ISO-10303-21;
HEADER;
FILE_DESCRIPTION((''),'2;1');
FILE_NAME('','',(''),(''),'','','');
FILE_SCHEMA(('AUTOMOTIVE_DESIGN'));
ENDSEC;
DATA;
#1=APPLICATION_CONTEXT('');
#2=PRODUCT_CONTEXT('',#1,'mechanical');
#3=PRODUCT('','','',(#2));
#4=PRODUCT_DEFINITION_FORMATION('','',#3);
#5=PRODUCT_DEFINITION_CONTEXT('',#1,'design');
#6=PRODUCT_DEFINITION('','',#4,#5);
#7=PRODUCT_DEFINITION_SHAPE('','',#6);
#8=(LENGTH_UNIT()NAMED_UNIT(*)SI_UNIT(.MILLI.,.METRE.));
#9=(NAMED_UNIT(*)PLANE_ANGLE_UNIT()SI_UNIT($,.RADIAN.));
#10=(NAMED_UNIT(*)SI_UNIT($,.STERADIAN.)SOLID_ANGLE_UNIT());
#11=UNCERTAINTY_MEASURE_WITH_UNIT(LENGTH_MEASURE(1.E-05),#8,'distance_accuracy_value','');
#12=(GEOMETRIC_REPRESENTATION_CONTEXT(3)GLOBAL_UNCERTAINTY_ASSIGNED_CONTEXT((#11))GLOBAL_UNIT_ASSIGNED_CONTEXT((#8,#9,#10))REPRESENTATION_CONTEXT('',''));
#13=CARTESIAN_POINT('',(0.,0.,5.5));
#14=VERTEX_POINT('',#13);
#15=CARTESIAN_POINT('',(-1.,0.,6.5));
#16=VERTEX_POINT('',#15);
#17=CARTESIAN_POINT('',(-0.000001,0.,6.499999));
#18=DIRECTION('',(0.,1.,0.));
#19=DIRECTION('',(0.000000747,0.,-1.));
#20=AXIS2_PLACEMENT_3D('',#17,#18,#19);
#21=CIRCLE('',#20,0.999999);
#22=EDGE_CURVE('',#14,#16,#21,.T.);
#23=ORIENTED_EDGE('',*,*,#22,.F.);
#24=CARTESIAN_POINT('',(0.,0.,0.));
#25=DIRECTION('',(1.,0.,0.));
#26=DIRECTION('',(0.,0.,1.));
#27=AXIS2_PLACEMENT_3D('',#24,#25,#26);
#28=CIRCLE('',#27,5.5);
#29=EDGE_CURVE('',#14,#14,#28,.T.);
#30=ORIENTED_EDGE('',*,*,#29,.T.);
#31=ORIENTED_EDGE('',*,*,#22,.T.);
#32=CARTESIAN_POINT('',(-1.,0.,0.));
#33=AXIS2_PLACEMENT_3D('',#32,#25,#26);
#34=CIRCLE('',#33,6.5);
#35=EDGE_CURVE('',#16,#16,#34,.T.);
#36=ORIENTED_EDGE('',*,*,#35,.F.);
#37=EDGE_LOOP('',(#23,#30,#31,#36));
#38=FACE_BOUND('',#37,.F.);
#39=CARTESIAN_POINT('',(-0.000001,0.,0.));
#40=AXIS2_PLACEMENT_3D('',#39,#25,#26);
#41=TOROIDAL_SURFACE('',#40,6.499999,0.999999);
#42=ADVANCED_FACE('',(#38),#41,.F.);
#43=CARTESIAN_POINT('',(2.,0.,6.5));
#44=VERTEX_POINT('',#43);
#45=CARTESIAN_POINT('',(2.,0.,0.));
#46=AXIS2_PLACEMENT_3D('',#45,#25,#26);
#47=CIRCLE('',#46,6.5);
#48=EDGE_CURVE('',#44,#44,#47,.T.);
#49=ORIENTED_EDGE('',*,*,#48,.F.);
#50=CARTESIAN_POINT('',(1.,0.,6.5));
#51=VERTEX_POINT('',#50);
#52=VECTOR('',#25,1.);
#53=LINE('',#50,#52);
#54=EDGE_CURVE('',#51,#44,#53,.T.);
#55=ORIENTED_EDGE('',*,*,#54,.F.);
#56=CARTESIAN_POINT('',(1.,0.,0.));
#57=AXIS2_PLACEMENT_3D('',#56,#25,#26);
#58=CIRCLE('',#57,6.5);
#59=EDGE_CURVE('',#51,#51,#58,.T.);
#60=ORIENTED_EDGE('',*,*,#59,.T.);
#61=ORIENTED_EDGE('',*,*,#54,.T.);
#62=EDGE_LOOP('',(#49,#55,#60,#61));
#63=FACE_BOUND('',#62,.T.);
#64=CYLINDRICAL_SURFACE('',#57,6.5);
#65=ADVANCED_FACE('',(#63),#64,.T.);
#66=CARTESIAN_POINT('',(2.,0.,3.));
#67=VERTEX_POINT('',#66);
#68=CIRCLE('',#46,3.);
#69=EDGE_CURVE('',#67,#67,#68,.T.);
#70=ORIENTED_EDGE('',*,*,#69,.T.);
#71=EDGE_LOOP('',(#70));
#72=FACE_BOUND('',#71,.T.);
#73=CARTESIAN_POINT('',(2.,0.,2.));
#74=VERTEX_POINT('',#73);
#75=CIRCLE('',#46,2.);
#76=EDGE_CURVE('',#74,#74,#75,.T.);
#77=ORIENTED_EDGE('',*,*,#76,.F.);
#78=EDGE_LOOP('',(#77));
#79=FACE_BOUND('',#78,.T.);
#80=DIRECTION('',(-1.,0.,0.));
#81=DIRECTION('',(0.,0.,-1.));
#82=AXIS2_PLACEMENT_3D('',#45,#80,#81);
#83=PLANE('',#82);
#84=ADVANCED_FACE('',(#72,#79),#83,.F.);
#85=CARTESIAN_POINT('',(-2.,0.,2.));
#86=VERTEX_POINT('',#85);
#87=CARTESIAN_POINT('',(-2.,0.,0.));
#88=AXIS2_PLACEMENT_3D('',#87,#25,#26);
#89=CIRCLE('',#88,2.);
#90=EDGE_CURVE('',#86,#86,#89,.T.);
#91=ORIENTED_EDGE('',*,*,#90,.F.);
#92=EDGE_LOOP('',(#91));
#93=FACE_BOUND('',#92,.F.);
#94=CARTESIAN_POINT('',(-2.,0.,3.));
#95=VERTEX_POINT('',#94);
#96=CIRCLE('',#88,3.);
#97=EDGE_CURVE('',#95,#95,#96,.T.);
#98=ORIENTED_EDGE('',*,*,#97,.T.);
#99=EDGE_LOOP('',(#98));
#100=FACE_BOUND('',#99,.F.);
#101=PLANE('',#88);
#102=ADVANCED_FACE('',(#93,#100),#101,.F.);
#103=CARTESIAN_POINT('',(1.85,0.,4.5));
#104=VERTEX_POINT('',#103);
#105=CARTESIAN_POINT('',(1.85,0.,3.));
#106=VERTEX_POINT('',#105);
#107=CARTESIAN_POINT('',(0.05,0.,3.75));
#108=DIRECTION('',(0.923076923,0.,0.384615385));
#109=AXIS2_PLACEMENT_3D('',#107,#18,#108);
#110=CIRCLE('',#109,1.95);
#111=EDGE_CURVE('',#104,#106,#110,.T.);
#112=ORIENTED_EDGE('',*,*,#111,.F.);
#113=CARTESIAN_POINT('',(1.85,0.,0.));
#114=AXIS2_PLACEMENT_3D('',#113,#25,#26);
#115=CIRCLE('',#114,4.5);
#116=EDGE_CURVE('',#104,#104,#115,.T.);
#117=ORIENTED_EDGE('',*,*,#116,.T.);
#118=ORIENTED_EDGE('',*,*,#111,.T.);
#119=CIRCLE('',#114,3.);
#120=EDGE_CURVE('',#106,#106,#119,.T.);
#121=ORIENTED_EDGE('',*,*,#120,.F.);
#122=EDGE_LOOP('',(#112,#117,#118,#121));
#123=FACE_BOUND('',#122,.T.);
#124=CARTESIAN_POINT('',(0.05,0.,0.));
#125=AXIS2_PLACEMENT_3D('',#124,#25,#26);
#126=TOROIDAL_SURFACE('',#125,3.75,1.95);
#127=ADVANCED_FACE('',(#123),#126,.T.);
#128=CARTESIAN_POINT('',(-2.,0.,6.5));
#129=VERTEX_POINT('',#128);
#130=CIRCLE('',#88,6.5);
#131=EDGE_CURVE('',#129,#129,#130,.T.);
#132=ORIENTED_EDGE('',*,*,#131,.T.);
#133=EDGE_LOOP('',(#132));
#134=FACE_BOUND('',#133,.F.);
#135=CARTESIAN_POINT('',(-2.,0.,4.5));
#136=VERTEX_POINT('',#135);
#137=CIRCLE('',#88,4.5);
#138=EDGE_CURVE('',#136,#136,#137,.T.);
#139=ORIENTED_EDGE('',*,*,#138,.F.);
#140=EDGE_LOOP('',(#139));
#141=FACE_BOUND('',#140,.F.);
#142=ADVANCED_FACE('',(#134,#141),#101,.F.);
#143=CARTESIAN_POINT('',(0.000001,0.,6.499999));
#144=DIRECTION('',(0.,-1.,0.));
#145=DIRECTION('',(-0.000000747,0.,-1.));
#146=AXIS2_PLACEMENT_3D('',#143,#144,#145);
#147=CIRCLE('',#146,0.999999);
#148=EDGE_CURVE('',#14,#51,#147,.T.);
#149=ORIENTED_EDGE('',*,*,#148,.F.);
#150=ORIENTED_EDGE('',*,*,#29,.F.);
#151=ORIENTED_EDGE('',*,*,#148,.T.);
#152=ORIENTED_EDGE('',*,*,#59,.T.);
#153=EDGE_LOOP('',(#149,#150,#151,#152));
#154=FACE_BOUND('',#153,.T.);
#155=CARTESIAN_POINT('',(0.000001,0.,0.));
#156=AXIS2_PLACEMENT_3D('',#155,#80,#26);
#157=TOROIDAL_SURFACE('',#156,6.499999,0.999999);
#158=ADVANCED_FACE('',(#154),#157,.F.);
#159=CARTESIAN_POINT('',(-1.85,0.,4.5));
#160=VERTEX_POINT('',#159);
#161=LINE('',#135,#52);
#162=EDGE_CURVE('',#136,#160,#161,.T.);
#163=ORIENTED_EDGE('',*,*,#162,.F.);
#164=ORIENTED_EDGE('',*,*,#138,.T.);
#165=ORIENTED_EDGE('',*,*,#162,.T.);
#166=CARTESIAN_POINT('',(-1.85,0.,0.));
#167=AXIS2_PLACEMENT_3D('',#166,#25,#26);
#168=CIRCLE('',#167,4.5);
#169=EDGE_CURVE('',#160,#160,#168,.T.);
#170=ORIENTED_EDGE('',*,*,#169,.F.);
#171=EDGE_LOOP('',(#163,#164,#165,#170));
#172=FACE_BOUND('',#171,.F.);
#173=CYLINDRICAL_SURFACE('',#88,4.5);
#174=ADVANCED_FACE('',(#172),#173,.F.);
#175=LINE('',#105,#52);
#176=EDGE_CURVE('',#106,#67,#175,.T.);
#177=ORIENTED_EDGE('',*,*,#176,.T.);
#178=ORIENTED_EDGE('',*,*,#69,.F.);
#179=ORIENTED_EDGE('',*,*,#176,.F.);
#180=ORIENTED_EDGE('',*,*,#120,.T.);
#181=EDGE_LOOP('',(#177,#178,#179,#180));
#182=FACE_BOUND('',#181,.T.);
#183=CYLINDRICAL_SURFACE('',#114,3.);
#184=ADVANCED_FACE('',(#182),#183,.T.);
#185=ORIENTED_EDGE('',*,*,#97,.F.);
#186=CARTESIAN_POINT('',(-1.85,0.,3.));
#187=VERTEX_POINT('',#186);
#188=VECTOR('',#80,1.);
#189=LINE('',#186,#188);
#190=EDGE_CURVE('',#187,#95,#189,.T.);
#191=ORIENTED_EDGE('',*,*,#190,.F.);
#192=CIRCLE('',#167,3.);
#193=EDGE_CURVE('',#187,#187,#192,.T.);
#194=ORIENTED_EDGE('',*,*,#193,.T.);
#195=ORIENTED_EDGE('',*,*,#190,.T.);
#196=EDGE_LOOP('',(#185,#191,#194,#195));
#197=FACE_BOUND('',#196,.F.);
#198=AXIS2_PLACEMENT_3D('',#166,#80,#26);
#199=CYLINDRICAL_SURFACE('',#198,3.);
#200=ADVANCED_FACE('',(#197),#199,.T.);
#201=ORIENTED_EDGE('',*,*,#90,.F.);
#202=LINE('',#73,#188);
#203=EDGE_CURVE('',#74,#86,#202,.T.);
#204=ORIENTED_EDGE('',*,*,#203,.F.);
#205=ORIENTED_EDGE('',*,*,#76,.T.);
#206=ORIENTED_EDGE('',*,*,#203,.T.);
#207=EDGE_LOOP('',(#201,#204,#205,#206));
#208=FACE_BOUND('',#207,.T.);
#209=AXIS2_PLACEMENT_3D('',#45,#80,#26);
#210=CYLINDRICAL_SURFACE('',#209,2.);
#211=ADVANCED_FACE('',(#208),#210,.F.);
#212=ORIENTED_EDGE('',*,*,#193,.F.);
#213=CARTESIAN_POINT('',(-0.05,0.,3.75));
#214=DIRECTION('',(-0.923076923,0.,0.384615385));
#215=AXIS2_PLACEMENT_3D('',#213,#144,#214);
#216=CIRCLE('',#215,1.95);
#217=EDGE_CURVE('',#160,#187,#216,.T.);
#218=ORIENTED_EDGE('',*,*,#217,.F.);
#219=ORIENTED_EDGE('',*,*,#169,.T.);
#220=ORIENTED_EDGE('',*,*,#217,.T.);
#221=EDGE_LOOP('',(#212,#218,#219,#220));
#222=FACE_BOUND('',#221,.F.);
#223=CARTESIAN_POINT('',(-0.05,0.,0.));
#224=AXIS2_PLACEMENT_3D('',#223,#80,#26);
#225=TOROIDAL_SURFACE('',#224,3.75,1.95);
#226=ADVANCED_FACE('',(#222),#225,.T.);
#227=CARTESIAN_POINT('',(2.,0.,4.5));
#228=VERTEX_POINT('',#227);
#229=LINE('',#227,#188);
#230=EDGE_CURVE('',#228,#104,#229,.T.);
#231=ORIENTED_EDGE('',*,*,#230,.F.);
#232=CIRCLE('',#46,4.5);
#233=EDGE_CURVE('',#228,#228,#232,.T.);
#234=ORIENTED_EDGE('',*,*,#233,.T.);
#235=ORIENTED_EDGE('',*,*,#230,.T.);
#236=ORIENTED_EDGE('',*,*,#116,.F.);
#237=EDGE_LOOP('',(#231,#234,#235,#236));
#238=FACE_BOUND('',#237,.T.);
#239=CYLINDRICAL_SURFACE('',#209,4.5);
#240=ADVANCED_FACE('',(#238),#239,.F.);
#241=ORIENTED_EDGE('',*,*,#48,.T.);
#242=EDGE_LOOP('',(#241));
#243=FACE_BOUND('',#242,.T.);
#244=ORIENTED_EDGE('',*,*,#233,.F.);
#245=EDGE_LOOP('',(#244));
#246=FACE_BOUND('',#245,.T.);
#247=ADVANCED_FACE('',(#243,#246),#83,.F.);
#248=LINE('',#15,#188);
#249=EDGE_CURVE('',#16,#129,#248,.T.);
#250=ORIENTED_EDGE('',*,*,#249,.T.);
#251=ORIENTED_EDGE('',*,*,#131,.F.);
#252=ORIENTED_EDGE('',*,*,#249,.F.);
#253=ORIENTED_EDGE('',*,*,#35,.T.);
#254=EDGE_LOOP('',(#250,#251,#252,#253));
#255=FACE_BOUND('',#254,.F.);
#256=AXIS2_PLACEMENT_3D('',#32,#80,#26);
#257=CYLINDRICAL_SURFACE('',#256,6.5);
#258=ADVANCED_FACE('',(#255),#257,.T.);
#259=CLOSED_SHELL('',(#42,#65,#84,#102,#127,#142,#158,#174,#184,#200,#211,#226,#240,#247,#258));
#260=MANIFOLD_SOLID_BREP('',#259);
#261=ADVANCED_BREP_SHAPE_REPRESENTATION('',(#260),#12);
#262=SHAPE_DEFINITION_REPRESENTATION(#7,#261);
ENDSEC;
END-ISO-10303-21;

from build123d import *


with BuildPart() as f1:
    # F0 (on Front) → F1 (revolve)
    with BuildSketch(Plane.XZ):
        with BuildLine():
            Line((-2, 2), (0, 2))
            Line((0, 2), (0, 5.5))
            ThreePointArc((0, 5.5), (-0.707107, 5.792893), (-1, 6.5))
            Line((-1, 6.5), (-2, 6.5))
            Line((-2, 6.5), (-2, 4.5))
            Line((-2, 4.5), (-1.85, 4.5))
            ThreePointArc((-1.85, 4.5), (-2, 3.75), (-1.85, 3))
            Line((-1.85, 3), (-2, 3))
            Line((-2, 3), (-2, 2))
        make_face()
    revolve(axis=Axis((-0.379604, 0, 0), (1, 0, 0)))

    # F2: F1 across face


with BuildPart() as f1_1:
    add(f1.part)
    add(f1.part.mirror(Plane.YZ))


solid = f1_1.part
